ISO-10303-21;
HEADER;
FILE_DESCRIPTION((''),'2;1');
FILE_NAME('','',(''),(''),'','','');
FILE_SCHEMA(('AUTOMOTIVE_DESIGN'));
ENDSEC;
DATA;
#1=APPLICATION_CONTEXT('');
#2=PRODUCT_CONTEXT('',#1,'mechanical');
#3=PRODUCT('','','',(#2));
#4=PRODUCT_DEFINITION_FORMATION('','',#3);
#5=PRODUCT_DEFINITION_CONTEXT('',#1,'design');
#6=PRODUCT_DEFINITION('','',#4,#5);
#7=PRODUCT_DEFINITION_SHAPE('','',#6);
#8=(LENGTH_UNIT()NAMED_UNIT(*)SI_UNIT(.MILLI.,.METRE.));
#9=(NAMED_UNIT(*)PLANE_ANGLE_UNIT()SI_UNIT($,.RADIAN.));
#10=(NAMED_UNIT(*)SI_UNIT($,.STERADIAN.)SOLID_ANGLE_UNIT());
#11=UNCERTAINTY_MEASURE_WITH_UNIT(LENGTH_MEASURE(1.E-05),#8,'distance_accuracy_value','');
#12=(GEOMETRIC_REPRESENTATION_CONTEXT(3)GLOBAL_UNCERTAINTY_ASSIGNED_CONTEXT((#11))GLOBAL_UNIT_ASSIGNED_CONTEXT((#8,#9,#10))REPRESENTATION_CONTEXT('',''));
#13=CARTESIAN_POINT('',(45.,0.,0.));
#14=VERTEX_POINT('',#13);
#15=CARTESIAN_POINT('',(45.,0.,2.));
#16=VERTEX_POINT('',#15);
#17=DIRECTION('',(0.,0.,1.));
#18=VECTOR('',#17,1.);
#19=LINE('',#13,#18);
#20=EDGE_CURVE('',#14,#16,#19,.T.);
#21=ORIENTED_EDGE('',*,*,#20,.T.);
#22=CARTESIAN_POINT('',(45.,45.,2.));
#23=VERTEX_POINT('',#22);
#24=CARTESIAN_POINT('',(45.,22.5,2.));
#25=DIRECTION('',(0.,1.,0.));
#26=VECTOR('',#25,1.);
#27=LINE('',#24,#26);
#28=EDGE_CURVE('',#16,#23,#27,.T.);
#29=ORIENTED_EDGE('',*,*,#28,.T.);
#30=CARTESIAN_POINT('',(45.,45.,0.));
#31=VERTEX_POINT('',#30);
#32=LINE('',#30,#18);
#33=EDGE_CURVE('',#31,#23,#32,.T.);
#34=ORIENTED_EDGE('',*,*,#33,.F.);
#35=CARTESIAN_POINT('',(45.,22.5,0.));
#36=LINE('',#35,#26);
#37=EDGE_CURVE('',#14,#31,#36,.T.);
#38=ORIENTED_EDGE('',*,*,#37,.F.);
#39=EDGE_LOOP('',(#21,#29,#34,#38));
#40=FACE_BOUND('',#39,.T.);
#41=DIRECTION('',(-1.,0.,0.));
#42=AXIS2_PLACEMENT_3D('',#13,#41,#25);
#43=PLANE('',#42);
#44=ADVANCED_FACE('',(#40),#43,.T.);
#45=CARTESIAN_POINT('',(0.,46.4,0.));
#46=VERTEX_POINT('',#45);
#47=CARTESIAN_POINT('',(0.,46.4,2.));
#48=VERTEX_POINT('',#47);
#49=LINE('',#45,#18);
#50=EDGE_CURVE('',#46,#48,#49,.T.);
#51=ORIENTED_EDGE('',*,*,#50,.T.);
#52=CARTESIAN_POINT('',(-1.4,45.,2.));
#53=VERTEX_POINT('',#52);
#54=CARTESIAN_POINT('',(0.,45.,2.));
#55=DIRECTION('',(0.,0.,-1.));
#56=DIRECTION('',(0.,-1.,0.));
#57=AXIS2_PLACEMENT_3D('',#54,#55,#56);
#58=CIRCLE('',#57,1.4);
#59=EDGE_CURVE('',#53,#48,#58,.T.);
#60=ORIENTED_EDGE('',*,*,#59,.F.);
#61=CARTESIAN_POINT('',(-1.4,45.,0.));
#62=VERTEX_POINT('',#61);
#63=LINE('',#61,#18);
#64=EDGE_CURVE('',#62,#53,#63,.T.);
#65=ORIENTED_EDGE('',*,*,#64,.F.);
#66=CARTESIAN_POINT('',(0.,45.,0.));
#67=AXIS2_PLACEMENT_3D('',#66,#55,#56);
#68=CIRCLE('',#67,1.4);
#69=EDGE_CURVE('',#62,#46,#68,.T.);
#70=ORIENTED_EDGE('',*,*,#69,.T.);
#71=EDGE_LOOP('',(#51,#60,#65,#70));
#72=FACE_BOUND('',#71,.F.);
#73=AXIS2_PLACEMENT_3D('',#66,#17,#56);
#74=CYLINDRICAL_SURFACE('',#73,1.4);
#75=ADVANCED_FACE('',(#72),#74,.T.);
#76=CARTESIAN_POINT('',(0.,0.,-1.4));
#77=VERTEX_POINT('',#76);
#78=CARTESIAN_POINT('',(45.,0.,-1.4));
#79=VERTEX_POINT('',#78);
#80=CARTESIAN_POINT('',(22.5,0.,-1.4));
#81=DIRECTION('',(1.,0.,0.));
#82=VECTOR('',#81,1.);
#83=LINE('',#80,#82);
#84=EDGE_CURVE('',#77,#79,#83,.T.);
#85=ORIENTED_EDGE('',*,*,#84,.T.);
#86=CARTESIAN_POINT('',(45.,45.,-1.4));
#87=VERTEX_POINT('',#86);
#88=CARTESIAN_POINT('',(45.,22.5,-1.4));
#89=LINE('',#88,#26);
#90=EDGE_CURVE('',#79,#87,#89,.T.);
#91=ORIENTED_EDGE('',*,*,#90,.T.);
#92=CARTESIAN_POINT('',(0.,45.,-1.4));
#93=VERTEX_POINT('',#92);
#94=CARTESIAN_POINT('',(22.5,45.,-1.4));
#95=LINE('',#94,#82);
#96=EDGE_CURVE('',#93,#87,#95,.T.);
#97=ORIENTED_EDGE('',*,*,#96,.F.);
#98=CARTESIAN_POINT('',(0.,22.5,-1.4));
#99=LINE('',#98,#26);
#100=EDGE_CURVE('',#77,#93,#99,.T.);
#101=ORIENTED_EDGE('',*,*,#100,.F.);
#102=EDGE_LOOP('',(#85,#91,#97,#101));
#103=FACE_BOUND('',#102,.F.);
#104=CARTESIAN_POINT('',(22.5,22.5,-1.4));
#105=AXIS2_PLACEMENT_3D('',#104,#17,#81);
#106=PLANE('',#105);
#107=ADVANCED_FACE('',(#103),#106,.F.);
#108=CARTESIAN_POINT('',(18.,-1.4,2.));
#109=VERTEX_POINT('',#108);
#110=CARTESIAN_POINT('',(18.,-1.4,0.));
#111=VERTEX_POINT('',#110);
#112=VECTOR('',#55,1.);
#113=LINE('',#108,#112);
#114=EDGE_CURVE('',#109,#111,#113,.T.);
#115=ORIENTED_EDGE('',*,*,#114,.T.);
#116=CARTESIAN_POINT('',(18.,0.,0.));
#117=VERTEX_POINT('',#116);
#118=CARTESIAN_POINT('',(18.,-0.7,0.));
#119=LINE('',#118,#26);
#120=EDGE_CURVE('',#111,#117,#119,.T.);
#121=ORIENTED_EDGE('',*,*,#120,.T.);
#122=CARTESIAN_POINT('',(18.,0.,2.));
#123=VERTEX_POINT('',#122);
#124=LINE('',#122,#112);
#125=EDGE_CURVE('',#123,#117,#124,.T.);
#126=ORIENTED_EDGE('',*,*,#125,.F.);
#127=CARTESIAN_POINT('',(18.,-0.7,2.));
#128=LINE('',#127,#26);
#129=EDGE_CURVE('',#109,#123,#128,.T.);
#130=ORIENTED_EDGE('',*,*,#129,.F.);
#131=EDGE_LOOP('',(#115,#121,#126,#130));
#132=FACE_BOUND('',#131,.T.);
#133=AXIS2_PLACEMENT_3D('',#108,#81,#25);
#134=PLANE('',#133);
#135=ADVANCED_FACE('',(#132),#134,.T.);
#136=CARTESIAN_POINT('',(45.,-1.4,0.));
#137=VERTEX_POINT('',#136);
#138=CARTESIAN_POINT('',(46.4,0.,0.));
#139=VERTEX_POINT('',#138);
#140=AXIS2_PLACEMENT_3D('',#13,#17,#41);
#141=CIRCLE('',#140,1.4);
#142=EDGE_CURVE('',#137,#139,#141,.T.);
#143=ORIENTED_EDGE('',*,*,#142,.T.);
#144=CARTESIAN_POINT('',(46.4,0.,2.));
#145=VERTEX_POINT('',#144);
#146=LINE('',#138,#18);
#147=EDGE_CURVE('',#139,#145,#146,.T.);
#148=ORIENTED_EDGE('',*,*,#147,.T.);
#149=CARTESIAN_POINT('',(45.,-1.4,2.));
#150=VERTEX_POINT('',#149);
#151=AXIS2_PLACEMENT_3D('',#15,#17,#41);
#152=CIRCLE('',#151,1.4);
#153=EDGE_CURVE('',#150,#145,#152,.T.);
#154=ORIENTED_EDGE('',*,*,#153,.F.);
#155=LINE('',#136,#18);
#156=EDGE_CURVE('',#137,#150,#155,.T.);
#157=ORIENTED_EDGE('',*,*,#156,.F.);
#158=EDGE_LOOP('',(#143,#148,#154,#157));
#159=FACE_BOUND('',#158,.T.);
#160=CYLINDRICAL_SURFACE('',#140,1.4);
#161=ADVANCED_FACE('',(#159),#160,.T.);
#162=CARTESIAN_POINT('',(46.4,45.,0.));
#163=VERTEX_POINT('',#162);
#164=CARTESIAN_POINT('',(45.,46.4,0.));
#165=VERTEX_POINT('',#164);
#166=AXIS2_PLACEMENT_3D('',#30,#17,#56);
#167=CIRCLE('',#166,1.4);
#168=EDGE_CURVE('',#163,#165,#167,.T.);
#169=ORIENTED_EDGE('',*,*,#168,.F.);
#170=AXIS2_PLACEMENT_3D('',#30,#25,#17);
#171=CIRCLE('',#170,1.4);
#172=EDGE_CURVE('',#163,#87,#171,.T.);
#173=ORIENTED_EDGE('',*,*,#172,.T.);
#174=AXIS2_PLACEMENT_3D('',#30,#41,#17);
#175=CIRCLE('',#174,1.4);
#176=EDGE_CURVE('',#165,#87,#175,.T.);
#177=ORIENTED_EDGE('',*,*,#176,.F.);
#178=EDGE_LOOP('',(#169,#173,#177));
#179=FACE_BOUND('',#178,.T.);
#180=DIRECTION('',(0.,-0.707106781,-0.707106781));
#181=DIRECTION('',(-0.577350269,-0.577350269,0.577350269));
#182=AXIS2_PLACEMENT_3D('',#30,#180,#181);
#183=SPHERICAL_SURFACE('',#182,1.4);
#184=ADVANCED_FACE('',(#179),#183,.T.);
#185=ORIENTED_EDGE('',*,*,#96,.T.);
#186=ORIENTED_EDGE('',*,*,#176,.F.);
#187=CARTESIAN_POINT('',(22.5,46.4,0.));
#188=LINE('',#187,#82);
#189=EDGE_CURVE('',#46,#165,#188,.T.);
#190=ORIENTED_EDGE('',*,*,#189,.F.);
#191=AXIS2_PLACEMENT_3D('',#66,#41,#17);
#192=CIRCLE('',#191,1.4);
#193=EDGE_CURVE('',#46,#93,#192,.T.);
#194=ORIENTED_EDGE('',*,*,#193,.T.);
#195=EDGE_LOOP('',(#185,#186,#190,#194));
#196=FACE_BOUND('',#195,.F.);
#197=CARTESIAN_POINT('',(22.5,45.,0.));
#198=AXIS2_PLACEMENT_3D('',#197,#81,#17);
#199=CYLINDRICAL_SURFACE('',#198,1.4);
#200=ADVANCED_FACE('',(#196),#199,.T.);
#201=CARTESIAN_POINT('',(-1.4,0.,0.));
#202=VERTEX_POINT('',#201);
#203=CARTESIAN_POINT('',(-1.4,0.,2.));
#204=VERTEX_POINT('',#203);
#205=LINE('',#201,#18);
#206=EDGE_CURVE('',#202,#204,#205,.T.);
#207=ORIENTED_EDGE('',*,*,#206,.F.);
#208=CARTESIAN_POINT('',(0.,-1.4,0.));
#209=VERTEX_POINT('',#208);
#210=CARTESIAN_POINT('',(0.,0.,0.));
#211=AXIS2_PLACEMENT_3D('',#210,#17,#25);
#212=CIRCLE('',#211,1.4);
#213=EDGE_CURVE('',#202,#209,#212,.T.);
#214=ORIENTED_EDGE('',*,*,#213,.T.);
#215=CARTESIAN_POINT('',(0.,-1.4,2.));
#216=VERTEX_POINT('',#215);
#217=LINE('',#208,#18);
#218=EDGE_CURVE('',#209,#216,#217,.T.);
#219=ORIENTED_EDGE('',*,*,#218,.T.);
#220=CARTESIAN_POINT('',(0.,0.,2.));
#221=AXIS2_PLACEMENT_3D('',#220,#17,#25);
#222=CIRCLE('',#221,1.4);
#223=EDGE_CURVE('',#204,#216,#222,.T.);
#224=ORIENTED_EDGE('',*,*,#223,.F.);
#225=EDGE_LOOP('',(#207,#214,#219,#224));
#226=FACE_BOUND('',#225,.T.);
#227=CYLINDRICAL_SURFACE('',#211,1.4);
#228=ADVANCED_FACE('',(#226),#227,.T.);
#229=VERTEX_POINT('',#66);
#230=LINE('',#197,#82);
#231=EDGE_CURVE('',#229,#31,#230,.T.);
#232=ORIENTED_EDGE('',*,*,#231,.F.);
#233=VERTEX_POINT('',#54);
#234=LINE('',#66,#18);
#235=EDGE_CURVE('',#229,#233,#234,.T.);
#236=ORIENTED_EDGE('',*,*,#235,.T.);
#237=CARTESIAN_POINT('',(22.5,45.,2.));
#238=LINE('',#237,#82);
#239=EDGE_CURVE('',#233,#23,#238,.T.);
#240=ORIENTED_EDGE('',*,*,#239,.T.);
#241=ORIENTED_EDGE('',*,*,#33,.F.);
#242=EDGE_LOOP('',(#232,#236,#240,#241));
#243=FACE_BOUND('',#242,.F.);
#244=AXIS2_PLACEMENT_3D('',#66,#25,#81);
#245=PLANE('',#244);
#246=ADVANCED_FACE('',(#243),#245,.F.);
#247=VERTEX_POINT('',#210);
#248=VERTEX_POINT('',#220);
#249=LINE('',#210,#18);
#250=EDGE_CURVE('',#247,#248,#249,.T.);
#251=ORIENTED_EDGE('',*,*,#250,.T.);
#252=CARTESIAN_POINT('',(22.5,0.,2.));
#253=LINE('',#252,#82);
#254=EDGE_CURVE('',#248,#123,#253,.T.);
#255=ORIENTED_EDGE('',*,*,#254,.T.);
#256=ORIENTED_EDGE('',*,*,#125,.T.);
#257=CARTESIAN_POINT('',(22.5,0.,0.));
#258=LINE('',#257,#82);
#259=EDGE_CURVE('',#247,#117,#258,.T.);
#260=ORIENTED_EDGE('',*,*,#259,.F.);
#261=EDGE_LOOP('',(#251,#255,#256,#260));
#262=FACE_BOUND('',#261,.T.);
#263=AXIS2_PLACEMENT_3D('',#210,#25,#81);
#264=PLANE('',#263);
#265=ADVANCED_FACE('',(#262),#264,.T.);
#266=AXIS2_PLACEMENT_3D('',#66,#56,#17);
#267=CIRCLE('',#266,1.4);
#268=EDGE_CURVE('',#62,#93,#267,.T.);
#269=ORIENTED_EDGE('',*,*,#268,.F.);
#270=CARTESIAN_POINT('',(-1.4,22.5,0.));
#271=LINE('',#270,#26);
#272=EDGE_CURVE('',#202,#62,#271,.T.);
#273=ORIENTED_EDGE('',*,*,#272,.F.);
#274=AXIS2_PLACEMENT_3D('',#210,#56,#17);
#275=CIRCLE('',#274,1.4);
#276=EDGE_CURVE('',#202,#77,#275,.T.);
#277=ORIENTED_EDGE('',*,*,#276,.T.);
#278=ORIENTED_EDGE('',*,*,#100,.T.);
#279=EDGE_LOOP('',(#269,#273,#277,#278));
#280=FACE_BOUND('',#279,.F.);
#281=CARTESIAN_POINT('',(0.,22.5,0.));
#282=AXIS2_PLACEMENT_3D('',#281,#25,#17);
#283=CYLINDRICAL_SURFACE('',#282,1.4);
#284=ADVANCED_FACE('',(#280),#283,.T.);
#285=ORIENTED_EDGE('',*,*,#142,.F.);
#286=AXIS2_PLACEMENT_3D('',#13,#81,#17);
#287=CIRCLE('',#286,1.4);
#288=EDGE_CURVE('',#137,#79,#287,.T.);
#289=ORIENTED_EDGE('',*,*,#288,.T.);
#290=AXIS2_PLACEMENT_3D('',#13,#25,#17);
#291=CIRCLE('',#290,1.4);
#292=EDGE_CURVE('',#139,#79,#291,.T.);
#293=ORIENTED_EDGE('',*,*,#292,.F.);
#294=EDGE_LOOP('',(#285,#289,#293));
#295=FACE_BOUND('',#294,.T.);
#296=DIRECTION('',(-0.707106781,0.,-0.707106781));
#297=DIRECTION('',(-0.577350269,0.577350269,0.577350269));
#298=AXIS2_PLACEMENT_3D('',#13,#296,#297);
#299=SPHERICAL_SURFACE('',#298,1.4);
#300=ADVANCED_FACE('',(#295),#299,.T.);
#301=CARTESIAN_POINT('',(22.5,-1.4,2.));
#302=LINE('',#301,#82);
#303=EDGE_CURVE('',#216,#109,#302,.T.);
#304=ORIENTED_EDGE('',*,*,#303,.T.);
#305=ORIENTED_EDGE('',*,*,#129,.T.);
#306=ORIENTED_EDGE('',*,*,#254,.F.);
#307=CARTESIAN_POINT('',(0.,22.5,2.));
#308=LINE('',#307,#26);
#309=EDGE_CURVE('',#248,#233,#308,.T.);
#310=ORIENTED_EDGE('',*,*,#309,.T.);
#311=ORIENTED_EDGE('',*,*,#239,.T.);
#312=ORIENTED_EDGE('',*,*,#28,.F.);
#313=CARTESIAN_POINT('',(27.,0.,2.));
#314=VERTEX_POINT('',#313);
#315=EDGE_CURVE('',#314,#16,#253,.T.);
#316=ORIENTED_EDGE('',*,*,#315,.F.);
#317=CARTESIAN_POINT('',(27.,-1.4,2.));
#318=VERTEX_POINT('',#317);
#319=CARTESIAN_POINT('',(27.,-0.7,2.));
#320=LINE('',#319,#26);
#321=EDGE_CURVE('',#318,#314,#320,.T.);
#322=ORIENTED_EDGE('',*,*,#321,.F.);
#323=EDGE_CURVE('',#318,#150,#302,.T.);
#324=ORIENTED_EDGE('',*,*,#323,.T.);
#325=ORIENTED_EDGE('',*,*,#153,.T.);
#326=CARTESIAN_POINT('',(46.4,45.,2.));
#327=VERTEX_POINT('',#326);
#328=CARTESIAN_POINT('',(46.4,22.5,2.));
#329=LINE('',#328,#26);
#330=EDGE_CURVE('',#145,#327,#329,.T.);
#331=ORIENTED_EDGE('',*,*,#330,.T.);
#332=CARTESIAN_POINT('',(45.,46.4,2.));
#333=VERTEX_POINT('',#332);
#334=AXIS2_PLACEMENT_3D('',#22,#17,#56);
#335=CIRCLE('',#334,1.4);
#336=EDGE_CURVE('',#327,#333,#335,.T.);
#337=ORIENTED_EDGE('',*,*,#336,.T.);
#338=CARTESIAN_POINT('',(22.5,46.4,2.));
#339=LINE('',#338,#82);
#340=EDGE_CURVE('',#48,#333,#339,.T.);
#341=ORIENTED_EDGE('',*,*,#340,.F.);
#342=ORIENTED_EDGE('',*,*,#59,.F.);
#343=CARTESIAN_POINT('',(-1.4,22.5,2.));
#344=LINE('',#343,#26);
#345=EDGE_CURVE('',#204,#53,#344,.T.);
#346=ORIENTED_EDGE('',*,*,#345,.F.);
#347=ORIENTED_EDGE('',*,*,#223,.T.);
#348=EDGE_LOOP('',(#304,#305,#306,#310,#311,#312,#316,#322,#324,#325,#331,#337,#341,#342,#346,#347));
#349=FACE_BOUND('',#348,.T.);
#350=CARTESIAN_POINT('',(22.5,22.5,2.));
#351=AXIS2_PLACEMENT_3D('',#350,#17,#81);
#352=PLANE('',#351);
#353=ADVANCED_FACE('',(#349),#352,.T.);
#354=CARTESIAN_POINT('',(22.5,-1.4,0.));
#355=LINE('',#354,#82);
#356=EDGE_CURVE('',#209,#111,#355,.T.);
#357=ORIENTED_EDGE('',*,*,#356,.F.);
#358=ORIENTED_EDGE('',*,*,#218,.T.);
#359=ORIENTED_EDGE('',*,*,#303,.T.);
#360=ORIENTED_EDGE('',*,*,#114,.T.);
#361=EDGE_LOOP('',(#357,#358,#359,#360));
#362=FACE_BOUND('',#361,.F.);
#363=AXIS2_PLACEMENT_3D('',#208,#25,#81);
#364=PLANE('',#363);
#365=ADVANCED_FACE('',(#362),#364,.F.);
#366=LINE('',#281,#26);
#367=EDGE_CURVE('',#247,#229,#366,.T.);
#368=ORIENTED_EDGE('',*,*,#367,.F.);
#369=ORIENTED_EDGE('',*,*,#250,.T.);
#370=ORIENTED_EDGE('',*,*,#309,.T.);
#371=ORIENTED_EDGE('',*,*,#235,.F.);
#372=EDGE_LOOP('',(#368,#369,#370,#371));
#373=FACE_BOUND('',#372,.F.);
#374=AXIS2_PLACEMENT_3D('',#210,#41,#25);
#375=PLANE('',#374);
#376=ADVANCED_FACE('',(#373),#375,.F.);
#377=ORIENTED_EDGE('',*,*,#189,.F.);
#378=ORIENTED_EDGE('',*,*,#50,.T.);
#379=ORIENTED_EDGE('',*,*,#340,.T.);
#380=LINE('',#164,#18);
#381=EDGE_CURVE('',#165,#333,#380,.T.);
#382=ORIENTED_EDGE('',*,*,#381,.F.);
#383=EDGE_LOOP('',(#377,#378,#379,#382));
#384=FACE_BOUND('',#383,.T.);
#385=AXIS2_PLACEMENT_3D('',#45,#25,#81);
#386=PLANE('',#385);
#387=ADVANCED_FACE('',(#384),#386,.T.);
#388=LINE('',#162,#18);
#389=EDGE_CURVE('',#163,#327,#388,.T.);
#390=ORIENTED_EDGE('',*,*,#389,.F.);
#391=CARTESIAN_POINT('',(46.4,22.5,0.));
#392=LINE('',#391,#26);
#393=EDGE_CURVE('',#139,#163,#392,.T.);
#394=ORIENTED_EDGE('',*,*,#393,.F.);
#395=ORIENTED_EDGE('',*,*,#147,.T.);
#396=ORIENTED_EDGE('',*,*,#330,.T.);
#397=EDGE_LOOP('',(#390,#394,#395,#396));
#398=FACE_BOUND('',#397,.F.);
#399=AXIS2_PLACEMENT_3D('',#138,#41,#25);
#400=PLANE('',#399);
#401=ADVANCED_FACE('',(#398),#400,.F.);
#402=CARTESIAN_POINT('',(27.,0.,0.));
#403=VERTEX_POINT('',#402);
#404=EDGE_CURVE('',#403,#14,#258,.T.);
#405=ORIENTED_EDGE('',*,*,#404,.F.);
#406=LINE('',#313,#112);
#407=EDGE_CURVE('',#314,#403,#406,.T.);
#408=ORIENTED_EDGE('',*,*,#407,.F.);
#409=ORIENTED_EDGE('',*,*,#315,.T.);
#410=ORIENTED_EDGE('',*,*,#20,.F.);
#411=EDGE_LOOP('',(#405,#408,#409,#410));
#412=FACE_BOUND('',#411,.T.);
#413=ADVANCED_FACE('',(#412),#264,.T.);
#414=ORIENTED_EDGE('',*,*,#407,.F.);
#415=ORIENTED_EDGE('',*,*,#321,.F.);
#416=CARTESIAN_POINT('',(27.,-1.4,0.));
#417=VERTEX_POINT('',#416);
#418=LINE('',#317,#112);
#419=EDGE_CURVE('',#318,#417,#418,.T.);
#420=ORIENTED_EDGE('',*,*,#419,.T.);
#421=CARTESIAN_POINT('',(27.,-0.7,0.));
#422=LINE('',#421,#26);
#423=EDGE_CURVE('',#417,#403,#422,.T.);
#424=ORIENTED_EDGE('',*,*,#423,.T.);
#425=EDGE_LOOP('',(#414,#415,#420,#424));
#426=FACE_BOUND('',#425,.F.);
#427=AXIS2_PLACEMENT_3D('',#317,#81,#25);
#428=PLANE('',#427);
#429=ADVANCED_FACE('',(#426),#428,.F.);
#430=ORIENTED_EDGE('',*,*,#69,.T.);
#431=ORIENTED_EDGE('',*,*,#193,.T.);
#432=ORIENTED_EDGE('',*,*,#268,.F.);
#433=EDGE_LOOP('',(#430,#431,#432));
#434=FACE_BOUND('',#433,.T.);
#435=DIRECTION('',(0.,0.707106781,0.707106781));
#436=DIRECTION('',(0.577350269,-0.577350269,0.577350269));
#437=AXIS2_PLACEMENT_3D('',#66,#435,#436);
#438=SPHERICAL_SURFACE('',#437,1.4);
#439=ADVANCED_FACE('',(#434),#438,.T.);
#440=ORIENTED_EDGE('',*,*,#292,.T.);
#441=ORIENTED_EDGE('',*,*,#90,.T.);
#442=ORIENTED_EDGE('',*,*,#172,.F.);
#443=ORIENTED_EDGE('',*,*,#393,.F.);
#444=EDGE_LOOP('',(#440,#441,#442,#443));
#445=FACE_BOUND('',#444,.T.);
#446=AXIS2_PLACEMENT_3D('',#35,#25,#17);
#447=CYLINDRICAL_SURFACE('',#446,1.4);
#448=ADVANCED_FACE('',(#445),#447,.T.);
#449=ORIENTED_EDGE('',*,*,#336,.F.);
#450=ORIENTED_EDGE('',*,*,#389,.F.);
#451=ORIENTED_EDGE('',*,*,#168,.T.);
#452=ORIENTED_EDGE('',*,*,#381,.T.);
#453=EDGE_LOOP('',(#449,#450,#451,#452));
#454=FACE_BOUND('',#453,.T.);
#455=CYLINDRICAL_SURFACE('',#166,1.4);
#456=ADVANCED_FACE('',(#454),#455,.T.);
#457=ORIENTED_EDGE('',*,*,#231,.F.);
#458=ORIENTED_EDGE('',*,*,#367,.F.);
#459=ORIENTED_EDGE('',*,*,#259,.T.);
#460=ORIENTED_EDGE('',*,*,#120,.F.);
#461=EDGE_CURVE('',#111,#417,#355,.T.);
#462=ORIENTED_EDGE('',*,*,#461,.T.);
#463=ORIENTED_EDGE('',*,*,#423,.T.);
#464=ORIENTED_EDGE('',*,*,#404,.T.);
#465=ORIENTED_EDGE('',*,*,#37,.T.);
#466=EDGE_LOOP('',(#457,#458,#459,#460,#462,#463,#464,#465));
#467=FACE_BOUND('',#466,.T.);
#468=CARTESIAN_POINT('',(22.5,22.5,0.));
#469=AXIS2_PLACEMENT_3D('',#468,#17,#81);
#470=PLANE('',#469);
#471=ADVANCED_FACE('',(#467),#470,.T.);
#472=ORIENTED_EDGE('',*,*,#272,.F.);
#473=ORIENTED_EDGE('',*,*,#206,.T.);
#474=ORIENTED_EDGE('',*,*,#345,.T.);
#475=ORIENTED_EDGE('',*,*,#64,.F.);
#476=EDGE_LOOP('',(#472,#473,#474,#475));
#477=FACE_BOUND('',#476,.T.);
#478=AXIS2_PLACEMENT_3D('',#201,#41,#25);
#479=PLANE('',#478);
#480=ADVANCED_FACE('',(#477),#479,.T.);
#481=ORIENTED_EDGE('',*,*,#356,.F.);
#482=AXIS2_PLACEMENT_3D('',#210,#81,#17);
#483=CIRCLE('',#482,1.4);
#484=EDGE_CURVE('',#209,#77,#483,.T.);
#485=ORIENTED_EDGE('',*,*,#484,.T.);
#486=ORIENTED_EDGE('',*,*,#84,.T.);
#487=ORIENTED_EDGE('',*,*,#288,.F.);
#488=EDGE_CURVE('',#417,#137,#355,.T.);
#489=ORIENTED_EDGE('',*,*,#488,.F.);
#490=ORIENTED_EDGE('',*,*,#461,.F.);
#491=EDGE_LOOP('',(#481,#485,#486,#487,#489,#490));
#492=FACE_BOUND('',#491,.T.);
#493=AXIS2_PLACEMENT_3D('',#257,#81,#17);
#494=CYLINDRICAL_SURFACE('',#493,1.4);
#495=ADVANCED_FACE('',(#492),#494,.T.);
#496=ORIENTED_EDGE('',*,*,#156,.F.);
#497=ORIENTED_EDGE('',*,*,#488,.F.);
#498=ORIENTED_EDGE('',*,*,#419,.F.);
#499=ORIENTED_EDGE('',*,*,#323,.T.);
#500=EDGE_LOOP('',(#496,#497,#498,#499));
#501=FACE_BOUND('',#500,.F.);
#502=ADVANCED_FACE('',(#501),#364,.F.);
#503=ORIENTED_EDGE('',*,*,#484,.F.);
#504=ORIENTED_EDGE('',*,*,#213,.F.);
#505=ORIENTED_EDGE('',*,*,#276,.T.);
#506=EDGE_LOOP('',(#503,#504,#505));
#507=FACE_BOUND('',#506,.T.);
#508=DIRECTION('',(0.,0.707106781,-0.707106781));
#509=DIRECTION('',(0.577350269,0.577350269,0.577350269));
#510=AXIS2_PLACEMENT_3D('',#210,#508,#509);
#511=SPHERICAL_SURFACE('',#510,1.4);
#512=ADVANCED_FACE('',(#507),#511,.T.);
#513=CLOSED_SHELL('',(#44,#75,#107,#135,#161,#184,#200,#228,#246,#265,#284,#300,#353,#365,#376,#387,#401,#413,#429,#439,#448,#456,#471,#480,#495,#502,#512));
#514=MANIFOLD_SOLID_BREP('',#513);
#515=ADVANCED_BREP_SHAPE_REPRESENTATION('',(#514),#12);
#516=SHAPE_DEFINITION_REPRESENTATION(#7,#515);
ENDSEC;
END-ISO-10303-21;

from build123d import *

# Parameters (mm, degrees)
SKETCH_W     = 45
SKETCH_H     = 45
PAD_DEPTH    = 2
THICKNESS_T  = 1.4
SKETCH001_W  = 9
SKETCH001_H  = 1.4
POCKET_DEPTH = 2


with BuildPart() as part:
    # Sketch → Pad (new body)
    with BuildSketch(Plane.XY):
        with Locations((22.5, 22.5)):
            Rectangle(SKETCH_W, SKETCH_H)
    extrude(amount=PAD_DEPTH)

    # Thickness
    thickness_openings = [part.faces().sort_by_distance(p)[0] for p in [
        (22.5, 22.5, 2),
    ]]
    offset(amount=THICKNESS_T, openings=thickness_openings)

    # Sketch001 → Pocket (cut)
    with BuildSketch(Plane.XY.offset(2)):
        with Locations((22.5, -0.7)):
            Rectangle(SKETCH001_W, SKETCH001_H)
    extrude(amount=-POCKET_DEPTH, mode=Mode.SUBTRACT)


solid = part.part
